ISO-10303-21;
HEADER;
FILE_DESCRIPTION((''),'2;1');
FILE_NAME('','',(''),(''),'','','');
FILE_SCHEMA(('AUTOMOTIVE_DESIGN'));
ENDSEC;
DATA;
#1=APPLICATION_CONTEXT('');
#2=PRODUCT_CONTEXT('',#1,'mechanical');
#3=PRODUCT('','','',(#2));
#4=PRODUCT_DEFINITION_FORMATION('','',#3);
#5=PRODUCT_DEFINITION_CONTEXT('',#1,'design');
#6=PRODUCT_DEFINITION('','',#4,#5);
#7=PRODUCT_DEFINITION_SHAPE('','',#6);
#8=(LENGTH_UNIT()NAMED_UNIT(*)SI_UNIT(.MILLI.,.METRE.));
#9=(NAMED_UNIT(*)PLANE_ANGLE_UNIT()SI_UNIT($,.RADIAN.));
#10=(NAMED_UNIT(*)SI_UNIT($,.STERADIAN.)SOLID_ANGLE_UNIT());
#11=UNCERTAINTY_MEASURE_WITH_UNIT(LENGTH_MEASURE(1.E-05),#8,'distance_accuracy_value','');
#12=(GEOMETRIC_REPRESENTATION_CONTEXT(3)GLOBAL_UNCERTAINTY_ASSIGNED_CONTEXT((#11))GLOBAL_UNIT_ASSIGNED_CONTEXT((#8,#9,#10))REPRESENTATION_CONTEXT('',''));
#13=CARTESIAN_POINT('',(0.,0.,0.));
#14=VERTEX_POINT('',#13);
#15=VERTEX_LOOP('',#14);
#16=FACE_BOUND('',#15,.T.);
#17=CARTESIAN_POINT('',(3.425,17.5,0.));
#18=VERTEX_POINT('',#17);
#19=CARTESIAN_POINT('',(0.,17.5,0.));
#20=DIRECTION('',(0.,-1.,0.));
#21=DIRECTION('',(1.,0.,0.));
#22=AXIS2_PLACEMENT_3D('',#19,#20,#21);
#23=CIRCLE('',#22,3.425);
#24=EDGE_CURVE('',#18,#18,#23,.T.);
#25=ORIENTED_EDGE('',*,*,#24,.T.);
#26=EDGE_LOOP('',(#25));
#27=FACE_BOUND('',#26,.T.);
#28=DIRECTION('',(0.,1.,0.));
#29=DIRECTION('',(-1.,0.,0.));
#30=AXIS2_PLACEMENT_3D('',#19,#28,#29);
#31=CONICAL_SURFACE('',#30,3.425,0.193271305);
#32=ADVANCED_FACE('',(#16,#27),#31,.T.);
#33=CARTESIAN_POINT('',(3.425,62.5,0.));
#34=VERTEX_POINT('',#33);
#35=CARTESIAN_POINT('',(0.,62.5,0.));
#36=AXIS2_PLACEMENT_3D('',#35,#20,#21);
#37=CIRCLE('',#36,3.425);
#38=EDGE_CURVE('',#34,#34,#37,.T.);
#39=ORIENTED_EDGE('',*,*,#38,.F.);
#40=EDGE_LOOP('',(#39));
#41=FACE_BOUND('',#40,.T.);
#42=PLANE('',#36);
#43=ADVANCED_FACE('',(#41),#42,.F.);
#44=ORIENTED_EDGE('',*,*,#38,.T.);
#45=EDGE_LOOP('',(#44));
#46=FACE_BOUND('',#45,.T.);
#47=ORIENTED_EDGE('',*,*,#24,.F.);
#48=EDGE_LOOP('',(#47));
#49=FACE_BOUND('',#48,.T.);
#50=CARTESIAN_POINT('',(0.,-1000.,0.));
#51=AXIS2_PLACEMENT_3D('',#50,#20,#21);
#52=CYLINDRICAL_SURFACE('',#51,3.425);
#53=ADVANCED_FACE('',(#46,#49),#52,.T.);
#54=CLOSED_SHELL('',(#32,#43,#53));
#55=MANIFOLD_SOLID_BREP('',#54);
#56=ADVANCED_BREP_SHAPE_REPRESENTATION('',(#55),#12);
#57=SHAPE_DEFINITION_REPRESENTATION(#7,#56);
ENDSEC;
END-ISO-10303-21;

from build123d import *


with BuildPart() as part:
    # Sketch1 → Revolve1 (revolve)
    with BuildSketch(Plane.XY, mode=Mode.PRIVATE) as revolve1_sk:
        Polygon((0, 62.5), (-3.425, 62.5), (-3.425, 17.5), (0, 0), align=None)
    revolve(revolve1_sk.sketch.rotate(Axis((0, -1000, 0), (0, 1, 0)), 180), axis=Axis((0, -1000, 0), (0, 1, 0)))


solid = part.part
